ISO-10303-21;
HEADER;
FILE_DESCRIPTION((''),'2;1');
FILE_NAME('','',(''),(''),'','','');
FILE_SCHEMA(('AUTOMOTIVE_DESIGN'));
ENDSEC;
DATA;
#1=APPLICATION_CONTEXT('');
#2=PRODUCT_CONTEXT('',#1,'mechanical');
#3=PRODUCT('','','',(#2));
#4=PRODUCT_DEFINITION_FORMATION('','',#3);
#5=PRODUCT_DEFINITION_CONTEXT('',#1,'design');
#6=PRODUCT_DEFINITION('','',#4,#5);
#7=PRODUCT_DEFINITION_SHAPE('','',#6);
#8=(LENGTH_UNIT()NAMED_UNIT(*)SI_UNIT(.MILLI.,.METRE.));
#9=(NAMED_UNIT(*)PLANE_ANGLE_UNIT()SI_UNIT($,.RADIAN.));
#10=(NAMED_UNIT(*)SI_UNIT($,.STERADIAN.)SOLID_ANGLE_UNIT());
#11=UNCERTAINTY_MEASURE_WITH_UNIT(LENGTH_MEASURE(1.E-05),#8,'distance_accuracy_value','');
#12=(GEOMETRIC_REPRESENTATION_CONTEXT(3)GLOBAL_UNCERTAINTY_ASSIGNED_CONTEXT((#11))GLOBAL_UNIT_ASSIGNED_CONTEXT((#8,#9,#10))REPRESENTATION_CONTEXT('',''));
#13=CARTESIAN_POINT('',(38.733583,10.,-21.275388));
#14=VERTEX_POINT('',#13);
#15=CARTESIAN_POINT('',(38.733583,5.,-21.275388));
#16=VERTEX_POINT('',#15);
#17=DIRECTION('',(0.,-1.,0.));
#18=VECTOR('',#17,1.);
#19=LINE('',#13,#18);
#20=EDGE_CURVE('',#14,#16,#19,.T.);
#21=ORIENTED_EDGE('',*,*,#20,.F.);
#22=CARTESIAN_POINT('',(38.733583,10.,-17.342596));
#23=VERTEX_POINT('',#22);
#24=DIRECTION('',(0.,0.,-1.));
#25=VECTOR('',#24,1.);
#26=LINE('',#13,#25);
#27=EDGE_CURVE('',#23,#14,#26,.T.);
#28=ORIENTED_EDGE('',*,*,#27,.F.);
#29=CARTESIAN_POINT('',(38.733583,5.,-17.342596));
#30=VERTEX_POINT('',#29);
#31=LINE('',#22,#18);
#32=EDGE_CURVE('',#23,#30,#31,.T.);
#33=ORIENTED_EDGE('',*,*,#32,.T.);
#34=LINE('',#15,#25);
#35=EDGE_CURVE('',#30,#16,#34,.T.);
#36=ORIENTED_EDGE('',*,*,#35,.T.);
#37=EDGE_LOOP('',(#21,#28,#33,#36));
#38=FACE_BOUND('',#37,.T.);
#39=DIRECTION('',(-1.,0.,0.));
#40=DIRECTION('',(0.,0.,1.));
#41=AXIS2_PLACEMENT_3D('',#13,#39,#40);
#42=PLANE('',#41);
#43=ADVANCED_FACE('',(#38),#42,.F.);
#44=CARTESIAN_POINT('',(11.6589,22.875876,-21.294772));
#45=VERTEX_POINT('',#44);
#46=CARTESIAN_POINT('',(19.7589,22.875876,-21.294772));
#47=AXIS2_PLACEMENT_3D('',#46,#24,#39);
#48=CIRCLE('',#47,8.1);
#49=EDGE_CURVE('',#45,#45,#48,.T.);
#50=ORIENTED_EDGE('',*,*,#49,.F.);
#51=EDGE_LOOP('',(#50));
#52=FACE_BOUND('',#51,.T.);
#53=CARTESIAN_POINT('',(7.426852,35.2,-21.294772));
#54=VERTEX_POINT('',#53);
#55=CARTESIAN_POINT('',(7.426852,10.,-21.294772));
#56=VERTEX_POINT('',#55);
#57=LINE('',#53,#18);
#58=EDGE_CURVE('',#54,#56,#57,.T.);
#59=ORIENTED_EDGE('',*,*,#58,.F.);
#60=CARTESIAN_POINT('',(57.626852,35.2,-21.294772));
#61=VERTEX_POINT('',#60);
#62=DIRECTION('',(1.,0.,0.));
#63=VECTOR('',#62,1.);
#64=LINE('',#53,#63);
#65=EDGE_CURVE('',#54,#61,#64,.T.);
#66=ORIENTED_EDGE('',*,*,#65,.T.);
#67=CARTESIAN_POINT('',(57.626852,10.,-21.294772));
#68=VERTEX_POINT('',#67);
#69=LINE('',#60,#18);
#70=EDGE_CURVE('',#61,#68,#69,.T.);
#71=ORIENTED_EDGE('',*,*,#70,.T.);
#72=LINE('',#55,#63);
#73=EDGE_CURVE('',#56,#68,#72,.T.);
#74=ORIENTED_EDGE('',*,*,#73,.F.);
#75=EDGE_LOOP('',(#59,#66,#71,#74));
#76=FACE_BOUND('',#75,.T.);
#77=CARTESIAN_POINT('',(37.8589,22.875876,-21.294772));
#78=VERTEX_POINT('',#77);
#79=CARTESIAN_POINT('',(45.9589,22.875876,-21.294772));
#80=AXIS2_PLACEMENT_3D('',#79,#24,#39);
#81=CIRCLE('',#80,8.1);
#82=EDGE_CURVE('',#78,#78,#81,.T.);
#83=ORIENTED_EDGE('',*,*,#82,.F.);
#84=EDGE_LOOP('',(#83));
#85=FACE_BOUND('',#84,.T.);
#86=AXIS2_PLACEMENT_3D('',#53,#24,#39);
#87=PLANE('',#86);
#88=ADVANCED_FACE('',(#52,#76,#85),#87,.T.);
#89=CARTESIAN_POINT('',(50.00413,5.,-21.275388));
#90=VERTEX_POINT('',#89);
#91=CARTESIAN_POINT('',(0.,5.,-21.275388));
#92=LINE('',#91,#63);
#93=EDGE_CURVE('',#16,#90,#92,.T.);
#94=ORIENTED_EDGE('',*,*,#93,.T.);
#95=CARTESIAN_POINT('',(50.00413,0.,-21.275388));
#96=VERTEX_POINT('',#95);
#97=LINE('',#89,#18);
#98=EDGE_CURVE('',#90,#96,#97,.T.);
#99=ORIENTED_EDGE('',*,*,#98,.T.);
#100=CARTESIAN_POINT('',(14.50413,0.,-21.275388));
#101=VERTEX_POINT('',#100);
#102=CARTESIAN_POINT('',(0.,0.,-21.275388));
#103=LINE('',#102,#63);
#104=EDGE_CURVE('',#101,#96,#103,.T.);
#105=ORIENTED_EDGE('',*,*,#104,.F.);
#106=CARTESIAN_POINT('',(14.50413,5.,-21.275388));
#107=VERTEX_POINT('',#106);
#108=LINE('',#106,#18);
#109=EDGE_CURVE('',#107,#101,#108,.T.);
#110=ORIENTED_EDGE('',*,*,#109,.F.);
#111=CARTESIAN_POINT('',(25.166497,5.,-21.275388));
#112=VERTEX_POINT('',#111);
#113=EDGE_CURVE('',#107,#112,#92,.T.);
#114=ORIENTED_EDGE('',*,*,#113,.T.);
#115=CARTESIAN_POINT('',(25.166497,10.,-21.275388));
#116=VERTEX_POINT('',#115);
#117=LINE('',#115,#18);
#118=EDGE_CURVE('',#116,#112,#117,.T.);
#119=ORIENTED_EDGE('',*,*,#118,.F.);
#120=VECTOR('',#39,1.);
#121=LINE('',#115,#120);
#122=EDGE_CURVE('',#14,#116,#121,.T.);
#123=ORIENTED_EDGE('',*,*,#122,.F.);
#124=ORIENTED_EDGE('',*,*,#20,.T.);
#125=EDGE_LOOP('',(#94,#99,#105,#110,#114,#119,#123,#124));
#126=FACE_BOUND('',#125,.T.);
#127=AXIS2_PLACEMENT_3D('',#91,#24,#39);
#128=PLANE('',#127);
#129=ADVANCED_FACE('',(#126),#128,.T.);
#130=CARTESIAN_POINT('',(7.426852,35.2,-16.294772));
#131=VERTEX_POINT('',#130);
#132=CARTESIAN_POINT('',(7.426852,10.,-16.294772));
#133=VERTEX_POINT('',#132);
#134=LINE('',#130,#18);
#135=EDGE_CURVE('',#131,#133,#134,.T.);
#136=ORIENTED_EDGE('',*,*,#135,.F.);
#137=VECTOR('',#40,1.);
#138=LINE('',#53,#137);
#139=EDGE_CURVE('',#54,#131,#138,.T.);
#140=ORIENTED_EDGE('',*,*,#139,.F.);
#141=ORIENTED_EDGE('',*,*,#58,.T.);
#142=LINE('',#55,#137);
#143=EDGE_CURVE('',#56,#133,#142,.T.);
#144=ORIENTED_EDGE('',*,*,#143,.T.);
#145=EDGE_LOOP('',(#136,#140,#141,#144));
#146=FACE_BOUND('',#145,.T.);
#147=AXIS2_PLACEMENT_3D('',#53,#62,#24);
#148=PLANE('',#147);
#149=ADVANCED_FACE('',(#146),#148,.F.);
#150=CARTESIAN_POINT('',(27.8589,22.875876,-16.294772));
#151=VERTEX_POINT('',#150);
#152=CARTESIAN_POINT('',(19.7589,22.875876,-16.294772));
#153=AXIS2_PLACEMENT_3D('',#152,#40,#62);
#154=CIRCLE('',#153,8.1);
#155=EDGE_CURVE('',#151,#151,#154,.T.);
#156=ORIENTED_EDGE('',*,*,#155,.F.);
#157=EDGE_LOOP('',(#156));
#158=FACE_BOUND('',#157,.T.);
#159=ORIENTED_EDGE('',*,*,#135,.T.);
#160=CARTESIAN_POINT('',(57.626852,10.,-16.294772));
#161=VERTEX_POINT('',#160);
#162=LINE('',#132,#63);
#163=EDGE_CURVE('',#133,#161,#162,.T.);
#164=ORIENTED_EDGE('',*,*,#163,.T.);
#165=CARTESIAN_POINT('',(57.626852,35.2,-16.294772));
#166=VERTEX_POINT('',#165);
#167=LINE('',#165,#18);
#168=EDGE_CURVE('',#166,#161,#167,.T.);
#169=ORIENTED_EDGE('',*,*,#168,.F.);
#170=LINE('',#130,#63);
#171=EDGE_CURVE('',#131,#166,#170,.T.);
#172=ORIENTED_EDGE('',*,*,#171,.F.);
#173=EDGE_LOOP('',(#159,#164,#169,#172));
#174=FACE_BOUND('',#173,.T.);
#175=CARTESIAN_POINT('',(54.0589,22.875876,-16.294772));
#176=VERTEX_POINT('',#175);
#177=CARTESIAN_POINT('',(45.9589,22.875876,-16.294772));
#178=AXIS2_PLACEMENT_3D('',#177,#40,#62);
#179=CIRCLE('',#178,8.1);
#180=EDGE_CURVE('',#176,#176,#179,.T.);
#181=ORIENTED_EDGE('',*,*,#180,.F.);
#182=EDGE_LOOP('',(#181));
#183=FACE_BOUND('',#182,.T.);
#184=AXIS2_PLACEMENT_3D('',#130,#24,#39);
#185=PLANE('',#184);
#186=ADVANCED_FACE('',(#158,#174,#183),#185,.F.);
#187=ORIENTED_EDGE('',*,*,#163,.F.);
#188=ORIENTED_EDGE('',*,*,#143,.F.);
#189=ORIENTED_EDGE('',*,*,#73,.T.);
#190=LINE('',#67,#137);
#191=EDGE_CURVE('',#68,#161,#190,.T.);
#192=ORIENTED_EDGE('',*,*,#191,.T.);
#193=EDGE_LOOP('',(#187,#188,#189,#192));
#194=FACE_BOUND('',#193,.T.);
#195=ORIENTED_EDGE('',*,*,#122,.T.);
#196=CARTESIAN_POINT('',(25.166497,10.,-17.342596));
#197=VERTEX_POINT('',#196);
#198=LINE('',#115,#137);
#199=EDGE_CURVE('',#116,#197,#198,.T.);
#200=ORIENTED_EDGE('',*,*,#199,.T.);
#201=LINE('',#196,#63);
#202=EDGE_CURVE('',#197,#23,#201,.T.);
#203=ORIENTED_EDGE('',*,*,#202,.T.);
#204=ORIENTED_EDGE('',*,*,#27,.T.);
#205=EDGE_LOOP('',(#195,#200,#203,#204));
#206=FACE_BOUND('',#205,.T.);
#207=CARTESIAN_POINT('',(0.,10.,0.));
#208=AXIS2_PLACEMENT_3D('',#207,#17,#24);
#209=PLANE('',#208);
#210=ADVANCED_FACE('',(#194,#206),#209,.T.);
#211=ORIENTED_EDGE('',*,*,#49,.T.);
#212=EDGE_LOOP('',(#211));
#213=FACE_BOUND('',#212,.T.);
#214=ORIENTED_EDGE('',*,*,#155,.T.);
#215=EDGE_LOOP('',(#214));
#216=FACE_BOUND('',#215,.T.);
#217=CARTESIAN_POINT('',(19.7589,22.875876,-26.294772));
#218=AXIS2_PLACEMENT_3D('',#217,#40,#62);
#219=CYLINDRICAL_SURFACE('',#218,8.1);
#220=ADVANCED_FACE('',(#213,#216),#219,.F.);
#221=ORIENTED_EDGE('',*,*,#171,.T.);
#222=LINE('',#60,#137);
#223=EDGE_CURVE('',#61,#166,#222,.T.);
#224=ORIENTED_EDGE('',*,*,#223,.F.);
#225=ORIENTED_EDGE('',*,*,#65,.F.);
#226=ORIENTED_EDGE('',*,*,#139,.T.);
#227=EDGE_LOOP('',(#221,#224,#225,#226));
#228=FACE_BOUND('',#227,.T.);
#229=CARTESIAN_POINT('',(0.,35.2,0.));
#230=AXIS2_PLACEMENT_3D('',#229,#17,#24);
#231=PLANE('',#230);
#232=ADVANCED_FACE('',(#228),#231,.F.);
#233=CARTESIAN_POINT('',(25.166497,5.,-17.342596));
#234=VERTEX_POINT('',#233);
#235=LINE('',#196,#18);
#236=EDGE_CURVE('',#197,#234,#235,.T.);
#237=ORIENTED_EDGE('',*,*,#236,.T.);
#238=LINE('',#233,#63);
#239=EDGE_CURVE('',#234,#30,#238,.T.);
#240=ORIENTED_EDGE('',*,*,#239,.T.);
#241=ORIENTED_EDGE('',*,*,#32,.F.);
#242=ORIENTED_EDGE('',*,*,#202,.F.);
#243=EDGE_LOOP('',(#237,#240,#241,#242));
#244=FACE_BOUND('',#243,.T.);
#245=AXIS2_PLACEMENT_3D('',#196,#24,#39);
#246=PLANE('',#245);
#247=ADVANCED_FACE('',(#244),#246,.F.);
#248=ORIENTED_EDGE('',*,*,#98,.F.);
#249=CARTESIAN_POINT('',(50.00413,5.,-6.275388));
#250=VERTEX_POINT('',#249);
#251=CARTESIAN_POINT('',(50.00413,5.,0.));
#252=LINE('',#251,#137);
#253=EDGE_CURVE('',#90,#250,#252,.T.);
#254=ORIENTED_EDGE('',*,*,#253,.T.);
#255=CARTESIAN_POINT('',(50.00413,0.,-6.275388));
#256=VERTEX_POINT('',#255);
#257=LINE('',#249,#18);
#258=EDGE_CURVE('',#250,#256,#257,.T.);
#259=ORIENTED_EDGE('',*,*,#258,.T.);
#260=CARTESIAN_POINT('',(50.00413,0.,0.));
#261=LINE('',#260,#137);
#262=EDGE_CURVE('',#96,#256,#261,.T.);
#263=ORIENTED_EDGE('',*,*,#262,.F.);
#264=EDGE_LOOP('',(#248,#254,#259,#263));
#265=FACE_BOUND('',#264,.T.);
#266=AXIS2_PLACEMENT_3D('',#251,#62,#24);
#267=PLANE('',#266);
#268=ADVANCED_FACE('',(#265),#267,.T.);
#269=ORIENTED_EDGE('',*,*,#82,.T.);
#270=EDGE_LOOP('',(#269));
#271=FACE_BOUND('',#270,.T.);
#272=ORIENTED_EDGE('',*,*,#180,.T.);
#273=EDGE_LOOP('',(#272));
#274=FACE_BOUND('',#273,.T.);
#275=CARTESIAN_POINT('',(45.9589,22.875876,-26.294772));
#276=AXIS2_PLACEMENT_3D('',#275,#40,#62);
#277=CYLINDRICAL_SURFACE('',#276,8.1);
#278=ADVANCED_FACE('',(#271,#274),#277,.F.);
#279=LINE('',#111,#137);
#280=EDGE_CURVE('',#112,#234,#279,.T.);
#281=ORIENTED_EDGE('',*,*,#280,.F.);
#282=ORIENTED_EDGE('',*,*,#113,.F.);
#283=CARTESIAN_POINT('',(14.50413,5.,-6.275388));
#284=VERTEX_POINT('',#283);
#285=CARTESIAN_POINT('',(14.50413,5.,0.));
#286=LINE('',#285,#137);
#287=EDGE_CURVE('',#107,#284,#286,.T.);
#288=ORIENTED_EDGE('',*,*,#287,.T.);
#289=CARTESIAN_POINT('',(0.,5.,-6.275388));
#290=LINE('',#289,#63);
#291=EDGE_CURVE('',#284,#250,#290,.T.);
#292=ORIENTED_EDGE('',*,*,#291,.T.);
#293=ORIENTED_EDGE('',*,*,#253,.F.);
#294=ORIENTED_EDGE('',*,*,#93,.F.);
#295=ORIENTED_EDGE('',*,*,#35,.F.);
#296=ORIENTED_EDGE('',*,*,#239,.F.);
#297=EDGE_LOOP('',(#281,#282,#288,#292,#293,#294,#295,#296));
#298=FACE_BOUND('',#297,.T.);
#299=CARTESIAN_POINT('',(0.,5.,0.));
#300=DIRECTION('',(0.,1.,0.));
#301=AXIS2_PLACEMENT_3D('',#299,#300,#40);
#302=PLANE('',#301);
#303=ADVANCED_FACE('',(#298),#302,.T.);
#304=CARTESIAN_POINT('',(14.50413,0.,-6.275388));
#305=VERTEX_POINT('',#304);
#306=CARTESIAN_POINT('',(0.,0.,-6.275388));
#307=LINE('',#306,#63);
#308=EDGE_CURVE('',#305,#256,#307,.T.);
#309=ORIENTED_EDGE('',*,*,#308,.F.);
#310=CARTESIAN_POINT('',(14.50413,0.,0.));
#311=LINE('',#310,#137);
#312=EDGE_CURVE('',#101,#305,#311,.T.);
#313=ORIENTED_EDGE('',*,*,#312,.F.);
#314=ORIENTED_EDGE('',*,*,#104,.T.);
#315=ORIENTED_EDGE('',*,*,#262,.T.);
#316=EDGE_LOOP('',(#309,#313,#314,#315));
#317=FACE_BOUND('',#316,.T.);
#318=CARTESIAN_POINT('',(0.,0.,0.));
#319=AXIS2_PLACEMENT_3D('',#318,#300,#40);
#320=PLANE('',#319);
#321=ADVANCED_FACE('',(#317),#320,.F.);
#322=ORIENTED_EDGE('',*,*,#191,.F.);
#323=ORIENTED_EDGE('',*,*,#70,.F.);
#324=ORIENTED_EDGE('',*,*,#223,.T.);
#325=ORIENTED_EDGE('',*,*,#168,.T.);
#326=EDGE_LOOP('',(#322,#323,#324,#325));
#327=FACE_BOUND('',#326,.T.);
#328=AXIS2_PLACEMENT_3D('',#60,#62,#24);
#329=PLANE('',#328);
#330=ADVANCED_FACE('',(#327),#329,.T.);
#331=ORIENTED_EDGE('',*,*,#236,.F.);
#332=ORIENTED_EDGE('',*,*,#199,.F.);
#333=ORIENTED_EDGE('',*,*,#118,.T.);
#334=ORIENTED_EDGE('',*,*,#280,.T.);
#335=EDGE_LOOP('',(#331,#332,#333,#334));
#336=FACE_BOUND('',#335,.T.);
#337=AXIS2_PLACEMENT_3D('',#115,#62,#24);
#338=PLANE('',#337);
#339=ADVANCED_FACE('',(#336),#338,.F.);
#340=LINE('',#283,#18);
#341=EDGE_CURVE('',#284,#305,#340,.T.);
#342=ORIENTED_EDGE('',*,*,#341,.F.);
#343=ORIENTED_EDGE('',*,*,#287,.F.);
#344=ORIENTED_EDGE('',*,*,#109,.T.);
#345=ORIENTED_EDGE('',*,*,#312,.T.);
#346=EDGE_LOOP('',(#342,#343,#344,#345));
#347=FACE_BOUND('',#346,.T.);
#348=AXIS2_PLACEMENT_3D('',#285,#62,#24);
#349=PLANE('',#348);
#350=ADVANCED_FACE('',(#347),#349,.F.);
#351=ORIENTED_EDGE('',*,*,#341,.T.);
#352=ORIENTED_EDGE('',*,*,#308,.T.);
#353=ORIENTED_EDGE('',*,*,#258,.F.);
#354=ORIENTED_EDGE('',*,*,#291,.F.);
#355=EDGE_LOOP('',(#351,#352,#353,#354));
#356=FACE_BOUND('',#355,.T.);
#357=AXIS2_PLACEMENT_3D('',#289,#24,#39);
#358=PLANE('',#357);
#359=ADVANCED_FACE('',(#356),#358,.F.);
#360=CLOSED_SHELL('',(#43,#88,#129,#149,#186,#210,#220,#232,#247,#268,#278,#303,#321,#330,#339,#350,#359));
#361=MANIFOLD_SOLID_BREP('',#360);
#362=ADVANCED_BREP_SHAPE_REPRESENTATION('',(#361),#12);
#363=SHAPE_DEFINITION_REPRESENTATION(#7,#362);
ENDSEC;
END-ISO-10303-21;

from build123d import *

# Parameters (mm, degrees)
SKETCH1_W           = 35.5
SKETCH1_H           = 15
BOSS_EXTRUDE7_DEPTH = 5
SKETCH5_W           = 13.567085075
SKETCH5_H           = 3.932792286
BOSS_EXTRUDE8_DEPTH = 5
SKETCH6_W           = 50.2
SKETCH6_H           = 5
BOSS_EXTRUDE9_DEPTH = 25.2
SKETCH7_R           = 8.1
CUT_EXTRUDE1_DEPTH  = 10


with BuildPart() as part:
    # Sketch1 → Boss-Extrude7 (new body)
    with BuildSketch(Plane(origin=(0, 0, 0), x_dir=(1, 0, 0), z_dir=(0, 1, 0))):
        with Locations((32.254129859, 13.775388257)):
            Rectangle(SKETCH1_W, SKETCH1_H)
    extrude(amount=BOSS_EXTRUDE7_DEPTH)

    # Sketch5 → Boss-Extrude8 (add)
    with BuildSketch(Plane(origin=(0, 5, 0), x_dir=(1, 0, 0), z_dir=(0, 1, 0))):
        with Locations((31.950040022, 19.308992114)):
            Rectangle(SKETCH5_W, SKETCH5_H)
    extrude(amount=BOSS_EXTRUDE8_DEPTH)

    # Sketch6 → Boss-Extrude9 (add)
    with BuildSketch(Plane(origin=(1.124638213, 10, 0), x_dir=(1, 0, 0), z_dir=(0, 1, 0))):
        with Locations((31.402213384, 18.794771585)):
            Rectangle(SKETCH6_W, SKETCH6_H)
    extrude(amount=BOSS_EXTRUDE9_DEPTH)

    # Sketch7 → Cut-Extrude1 (cut)
    with BuildSketch(Plane.XY.offset(-16.294771585)):
        with Locations((19.758900119, 22.875876323)):
            Circle(SKETCH7_R)
        with Locations((45.958900119, 22.875876323)):
            Circle(SKETCH7_R)
    extrude(amount=-CUT_EXTRUDE1_DEPTH, mode=Mode.SUBTRACT)


solid = part.part
